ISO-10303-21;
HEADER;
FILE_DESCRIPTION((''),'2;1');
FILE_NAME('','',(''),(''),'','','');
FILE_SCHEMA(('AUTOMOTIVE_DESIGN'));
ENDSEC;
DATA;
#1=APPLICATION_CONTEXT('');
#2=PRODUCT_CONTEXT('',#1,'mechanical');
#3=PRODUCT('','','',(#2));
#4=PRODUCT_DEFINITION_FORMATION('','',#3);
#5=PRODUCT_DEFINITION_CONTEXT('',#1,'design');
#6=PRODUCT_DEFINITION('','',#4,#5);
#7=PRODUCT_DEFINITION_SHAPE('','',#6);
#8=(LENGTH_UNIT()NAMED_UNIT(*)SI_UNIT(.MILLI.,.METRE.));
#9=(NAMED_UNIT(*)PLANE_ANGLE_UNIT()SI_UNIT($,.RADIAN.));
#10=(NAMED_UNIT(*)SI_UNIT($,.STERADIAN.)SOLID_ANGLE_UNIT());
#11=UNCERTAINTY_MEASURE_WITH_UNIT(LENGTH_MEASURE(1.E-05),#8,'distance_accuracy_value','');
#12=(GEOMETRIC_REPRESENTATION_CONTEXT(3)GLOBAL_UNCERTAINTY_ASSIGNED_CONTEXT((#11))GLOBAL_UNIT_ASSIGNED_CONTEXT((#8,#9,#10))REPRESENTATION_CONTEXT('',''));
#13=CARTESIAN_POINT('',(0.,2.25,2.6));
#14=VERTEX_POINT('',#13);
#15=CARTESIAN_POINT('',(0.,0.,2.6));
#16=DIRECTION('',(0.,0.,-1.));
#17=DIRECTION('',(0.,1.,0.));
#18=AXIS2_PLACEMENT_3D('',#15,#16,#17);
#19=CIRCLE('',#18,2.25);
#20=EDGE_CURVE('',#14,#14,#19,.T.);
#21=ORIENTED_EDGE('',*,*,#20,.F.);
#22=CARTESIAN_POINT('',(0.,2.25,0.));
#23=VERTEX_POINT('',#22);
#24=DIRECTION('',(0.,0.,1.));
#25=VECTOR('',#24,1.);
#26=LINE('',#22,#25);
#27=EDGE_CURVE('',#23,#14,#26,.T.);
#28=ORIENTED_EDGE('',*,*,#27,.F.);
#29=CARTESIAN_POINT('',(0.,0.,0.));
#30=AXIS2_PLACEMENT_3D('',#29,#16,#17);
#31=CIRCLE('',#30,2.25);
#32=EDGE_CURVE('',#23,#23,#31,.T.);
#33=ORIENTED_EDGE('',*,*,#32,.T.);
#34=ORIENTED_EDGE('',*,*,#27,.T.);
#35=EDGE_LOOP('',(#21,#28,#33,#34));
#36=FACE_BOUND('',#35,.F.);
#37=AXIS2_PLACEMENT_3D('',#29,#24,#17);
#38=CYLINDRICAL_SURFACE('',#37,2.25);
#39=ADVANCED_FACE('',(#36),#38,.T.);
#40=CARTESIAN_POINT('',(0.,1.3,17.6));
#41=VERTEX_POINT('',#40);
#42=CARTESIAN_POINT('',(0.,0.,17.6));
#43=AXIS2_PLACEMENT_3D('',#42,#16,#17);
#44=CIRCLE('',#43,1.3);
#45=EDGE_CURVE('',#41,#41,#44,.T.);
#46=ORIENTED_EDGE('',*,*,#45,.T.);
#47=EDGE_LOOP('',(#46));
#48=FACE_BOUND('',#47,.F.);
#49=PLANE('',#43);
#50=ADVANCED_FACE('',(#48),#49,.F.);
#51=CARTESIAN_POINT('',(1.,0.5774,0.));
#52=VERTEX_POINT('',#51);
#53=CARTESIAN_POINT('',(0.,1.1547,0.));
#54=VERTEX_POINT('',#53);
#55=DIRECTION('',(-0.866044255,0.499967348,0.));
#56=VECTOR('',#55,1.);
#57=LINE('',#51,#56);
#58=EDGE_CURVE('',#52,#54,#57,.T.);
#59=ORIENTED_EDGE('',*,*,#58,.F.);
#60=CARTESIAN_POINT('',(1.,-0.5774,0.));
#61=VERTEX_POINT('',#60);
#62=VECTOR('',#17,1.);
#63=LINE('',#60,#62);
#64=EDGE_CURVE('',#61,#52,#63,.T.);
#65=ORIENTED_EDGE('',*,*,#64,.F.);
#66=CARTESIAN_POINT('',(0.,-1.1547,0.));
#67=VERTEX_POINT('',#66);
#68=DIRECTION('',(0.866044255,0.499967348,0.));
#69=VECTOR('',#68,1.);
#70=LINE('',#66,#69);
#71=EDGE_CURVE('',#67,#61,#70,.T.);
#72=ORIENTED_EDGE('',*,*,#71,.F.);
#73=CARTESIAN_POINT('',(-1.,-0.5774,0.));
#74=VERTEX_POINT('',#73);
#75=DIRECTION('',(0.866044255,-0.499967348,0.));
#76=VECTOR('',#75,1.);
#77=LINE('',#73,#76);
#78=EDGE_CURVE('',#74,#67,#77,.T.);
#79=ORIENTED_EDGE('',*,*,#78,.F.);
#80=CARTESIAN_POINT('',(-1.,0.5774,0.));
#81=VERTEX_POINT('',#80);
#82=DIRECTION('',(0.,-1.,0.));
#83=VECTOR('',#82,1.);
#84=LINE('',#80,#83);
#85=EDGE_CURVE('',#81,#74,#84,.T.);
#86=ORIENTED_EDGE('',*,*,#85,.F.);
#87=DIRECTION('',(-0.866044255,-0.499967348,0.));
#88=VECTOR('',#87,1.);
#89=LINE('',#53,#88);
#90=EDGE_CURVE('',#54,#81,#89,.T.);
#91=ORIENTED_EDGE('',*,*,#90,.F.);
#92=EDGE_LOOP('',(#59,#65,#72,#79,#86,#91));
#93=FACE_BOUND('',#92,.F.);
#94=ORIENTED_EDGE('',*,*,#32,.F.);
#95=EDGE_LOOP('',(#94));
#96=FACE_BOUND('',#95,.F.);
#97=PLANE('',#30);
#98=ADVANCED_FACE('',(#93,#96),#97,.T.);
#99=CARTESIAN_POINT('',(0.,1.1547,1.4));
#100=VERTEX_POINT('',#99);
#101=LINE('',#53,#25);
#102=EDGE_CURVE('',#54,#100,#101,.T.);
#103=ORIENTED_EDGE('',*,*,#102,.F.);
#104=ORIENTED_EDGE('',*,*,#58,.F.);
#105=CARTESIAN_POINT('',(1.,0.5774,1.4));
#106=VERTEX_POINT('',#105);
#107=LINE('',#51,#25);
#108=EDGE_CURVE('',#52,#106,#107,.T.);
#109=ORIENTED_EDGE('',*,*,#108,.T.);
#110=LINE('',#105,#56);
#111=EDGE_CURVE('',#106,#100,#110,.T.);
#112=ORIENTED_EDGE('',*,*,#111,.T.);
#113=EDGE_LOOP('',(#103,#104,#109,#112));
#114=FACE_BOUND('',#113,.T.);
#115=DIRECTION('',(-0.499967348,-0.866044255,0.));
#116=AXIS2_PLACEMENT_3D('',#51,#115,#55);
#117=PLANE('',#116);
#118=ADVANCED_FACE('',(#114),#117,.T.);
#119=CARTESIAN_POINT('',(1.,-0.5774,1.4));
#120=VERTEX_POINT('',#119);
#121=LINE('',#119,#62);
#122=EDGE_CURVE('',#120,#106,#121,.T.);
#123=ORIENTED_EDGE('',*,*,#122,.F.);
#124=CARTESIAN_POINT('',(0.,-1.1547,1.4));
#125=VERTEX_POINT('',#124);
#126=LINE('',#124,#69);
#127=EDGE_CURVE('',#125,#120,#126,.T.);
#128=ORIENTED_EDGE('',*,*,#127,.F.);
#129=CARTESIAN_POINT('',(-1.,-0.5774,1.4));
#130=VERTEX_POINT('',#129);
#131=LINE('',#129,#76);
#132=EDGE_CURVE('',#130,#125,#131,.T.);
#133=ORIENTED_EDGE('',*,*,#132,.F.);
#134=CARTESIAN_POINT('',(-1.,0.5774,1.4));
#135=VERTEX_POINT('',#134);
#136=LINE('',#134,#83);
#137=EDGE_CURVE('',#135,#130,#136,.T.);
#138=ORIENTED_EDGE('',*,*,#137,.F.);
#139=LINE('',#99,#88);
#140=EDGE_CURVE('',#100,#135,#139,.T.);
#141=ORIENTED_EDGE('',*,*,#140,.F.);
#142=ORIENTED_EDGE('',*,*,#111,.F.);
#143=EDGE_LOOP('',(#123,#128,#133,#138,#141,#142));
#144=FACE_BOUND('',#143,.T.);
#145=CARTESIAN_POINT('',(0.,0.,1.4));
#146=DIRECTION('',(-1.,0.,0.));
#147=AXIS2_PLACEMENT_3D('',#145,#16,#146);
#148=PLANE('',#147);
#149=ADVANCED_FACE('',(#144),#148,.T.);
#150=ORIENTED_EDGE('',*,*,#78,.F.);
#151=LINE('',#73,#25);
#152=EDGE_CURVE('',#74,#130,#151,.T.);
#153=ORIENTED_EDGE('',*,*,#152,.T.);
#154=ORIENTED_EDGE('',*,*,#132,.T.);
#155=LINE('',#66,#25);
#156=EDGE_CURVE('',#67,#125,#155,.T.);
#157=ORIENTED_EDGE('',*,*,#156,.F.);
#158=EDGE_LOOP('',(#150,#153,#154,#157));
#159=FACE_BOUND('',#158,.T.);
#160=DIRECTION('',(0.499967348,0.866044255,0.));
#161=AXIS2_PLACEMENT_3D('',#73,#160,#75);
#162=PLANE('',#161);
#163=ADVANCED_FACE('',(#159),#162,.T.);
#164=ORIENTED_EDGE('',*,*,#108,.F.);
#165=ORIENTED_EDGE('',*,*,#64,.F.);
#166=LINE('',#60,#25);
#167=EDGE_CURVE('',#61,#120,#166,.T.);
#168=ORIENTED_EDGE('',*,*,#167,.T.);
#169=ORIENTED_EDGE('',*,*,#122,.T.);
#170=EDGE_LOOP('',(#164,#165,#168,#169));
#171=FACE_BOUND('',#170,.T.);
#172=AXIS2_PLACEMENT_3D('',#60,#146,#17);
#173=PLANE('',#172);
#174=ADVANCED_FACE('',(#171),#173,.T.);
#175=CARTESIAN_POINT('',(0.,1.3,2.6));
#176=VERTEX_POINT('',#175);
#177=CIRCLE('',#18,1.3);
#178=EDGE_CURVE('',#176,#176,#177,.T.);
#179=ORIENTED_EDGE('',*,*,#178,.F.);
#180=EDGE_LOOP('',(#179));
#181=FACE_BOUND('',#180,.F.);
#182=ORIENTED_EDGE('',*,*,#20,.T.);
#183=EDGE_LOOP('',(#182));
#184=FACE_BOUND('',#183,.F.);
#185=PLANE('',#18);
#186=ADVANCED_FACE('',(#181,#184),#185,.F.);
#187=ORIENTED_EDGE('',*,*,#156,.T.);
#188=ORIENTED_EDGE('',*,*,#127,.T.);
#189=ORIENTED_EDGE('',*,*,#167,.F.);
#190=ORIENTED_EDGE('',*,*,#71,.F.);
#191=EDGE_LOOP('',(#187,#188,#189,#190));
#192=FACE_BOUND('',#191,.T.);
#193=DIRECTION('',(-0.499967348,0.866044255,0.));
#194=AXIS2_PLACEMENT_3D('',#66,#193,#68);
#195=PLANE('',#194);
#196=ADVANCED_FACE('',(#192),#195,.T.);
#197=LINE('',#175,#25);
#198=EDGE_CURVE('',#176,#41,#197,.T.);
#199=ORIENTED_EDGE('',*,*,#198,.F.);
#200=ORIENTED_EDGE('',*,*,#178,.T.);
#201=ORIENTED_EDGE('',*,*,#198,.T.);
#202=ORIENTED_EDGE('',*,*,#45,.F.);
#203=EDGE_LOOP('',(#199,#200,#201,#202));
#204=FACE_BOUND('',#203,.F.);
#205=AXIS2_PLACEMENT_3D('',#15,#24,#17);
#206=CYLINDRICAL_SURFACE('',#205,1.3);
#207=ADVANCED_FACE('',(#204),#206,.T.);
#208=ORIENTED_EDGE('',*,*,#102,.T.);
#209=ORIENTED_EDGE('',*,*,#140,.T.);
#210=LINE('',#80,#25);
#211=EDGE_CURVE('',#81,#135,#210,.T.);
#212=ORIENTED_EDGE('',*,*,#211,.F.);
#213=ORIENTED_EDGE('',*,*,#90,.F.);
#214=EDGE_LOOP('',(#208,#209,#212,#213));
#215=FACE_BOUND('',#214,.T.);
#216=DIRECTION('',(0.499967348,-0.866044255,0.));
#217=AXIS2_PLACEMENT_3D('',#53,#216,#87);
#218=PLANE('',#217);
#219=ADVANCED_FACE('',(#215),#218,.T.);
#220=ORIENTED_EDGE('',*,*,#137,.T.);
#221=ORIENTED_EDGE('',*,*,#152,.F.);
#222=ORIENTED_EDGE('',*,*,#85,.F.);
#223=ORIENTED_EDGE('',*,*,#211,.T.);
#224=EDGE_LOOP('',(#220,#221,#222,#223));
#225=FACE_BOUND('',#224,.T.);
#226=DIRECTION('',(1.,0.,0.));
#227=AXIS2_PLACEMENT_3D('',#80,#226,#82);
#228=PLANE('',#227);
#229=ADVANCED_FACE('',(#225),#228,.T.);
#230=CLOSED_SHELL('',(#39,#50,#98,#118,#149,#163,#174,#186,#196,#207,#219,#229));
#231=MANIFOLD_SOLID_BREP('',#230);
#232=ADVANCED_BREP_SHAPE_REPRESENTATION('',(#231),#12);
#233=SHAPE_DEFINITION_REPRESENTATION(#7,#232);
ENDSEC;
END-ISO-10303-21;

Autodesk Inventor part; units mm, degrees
ref_plane "YZ Plane" through (0, 0, 0) normal (1, 0, 0) x (0, 1, 0)
ref_plane "XZ Plane" through (0, 0, 0) normal (0, 1, 0) x (-1, 0, 0)
ref_plane "XY Plane" through (0, 0, 0) normal (0, 0, 1) x (1, 0, 0)
sketch "スケッチ1" plane through (0, 0, 0) normal (1, 0, 0) x (0, 1, 0)
  line L0 (0, 17.6) -> (0, 0)
  line L1 (0, 0) -> (2.25, 0)
  line L2 (2.25, 0) -> (2.25, 2.6)
  line L3 (2.25, 2.6) -> (1.3, 2.6)
  line L4 (1.3, 2.6) -> (1.3, 17.6)
  line L5 (1.3, 17.6) -> (0, 17.6)
  dimension "d2" = 2.6
  dimension "d10" = 15
  dimension "d11" = 2.6
  dimension "d12" = 4.5
revolve "回転1" add sketch "スケッチ1" angle 360 about axis through (0, 0, 17.6) along (0, 0, -1)
thread "ねじ1" size "M2.6x0.45" class "6g" standard "ANSI Metric M Profile" full length
sketch "スケッチ2" plane through (0, 0, 0) normal (0, 0, -1) x (-1, 0, 0)
  line L0 (0, 1.1547) -> (1, 0.5774)
  line L1 (1, 0.5774) -> (1, -0.5774)
  line L2 (1, -0.5774) -> (0, -1.1547)
  line L3 (0, -1.1547) -> (-1, -0.5774)
  line L4 (-1, -0.5774) -> (-1, 0.5774)
  line L5 (-1, 0.5774) -> (0, 1.1547)
  line L6 (0, 2.25) -> (0, -2.25) construction
  circle A0 centre (0, 0) radius 2.25 projected
  dimension "d7" = 2
extrude "押し出し1" cut sketch "スケッチ2" against normal blind 1.4 contours L0 L1 L2 L3 L4 L5
properties part number "FC-2615EB" material "チタン"
